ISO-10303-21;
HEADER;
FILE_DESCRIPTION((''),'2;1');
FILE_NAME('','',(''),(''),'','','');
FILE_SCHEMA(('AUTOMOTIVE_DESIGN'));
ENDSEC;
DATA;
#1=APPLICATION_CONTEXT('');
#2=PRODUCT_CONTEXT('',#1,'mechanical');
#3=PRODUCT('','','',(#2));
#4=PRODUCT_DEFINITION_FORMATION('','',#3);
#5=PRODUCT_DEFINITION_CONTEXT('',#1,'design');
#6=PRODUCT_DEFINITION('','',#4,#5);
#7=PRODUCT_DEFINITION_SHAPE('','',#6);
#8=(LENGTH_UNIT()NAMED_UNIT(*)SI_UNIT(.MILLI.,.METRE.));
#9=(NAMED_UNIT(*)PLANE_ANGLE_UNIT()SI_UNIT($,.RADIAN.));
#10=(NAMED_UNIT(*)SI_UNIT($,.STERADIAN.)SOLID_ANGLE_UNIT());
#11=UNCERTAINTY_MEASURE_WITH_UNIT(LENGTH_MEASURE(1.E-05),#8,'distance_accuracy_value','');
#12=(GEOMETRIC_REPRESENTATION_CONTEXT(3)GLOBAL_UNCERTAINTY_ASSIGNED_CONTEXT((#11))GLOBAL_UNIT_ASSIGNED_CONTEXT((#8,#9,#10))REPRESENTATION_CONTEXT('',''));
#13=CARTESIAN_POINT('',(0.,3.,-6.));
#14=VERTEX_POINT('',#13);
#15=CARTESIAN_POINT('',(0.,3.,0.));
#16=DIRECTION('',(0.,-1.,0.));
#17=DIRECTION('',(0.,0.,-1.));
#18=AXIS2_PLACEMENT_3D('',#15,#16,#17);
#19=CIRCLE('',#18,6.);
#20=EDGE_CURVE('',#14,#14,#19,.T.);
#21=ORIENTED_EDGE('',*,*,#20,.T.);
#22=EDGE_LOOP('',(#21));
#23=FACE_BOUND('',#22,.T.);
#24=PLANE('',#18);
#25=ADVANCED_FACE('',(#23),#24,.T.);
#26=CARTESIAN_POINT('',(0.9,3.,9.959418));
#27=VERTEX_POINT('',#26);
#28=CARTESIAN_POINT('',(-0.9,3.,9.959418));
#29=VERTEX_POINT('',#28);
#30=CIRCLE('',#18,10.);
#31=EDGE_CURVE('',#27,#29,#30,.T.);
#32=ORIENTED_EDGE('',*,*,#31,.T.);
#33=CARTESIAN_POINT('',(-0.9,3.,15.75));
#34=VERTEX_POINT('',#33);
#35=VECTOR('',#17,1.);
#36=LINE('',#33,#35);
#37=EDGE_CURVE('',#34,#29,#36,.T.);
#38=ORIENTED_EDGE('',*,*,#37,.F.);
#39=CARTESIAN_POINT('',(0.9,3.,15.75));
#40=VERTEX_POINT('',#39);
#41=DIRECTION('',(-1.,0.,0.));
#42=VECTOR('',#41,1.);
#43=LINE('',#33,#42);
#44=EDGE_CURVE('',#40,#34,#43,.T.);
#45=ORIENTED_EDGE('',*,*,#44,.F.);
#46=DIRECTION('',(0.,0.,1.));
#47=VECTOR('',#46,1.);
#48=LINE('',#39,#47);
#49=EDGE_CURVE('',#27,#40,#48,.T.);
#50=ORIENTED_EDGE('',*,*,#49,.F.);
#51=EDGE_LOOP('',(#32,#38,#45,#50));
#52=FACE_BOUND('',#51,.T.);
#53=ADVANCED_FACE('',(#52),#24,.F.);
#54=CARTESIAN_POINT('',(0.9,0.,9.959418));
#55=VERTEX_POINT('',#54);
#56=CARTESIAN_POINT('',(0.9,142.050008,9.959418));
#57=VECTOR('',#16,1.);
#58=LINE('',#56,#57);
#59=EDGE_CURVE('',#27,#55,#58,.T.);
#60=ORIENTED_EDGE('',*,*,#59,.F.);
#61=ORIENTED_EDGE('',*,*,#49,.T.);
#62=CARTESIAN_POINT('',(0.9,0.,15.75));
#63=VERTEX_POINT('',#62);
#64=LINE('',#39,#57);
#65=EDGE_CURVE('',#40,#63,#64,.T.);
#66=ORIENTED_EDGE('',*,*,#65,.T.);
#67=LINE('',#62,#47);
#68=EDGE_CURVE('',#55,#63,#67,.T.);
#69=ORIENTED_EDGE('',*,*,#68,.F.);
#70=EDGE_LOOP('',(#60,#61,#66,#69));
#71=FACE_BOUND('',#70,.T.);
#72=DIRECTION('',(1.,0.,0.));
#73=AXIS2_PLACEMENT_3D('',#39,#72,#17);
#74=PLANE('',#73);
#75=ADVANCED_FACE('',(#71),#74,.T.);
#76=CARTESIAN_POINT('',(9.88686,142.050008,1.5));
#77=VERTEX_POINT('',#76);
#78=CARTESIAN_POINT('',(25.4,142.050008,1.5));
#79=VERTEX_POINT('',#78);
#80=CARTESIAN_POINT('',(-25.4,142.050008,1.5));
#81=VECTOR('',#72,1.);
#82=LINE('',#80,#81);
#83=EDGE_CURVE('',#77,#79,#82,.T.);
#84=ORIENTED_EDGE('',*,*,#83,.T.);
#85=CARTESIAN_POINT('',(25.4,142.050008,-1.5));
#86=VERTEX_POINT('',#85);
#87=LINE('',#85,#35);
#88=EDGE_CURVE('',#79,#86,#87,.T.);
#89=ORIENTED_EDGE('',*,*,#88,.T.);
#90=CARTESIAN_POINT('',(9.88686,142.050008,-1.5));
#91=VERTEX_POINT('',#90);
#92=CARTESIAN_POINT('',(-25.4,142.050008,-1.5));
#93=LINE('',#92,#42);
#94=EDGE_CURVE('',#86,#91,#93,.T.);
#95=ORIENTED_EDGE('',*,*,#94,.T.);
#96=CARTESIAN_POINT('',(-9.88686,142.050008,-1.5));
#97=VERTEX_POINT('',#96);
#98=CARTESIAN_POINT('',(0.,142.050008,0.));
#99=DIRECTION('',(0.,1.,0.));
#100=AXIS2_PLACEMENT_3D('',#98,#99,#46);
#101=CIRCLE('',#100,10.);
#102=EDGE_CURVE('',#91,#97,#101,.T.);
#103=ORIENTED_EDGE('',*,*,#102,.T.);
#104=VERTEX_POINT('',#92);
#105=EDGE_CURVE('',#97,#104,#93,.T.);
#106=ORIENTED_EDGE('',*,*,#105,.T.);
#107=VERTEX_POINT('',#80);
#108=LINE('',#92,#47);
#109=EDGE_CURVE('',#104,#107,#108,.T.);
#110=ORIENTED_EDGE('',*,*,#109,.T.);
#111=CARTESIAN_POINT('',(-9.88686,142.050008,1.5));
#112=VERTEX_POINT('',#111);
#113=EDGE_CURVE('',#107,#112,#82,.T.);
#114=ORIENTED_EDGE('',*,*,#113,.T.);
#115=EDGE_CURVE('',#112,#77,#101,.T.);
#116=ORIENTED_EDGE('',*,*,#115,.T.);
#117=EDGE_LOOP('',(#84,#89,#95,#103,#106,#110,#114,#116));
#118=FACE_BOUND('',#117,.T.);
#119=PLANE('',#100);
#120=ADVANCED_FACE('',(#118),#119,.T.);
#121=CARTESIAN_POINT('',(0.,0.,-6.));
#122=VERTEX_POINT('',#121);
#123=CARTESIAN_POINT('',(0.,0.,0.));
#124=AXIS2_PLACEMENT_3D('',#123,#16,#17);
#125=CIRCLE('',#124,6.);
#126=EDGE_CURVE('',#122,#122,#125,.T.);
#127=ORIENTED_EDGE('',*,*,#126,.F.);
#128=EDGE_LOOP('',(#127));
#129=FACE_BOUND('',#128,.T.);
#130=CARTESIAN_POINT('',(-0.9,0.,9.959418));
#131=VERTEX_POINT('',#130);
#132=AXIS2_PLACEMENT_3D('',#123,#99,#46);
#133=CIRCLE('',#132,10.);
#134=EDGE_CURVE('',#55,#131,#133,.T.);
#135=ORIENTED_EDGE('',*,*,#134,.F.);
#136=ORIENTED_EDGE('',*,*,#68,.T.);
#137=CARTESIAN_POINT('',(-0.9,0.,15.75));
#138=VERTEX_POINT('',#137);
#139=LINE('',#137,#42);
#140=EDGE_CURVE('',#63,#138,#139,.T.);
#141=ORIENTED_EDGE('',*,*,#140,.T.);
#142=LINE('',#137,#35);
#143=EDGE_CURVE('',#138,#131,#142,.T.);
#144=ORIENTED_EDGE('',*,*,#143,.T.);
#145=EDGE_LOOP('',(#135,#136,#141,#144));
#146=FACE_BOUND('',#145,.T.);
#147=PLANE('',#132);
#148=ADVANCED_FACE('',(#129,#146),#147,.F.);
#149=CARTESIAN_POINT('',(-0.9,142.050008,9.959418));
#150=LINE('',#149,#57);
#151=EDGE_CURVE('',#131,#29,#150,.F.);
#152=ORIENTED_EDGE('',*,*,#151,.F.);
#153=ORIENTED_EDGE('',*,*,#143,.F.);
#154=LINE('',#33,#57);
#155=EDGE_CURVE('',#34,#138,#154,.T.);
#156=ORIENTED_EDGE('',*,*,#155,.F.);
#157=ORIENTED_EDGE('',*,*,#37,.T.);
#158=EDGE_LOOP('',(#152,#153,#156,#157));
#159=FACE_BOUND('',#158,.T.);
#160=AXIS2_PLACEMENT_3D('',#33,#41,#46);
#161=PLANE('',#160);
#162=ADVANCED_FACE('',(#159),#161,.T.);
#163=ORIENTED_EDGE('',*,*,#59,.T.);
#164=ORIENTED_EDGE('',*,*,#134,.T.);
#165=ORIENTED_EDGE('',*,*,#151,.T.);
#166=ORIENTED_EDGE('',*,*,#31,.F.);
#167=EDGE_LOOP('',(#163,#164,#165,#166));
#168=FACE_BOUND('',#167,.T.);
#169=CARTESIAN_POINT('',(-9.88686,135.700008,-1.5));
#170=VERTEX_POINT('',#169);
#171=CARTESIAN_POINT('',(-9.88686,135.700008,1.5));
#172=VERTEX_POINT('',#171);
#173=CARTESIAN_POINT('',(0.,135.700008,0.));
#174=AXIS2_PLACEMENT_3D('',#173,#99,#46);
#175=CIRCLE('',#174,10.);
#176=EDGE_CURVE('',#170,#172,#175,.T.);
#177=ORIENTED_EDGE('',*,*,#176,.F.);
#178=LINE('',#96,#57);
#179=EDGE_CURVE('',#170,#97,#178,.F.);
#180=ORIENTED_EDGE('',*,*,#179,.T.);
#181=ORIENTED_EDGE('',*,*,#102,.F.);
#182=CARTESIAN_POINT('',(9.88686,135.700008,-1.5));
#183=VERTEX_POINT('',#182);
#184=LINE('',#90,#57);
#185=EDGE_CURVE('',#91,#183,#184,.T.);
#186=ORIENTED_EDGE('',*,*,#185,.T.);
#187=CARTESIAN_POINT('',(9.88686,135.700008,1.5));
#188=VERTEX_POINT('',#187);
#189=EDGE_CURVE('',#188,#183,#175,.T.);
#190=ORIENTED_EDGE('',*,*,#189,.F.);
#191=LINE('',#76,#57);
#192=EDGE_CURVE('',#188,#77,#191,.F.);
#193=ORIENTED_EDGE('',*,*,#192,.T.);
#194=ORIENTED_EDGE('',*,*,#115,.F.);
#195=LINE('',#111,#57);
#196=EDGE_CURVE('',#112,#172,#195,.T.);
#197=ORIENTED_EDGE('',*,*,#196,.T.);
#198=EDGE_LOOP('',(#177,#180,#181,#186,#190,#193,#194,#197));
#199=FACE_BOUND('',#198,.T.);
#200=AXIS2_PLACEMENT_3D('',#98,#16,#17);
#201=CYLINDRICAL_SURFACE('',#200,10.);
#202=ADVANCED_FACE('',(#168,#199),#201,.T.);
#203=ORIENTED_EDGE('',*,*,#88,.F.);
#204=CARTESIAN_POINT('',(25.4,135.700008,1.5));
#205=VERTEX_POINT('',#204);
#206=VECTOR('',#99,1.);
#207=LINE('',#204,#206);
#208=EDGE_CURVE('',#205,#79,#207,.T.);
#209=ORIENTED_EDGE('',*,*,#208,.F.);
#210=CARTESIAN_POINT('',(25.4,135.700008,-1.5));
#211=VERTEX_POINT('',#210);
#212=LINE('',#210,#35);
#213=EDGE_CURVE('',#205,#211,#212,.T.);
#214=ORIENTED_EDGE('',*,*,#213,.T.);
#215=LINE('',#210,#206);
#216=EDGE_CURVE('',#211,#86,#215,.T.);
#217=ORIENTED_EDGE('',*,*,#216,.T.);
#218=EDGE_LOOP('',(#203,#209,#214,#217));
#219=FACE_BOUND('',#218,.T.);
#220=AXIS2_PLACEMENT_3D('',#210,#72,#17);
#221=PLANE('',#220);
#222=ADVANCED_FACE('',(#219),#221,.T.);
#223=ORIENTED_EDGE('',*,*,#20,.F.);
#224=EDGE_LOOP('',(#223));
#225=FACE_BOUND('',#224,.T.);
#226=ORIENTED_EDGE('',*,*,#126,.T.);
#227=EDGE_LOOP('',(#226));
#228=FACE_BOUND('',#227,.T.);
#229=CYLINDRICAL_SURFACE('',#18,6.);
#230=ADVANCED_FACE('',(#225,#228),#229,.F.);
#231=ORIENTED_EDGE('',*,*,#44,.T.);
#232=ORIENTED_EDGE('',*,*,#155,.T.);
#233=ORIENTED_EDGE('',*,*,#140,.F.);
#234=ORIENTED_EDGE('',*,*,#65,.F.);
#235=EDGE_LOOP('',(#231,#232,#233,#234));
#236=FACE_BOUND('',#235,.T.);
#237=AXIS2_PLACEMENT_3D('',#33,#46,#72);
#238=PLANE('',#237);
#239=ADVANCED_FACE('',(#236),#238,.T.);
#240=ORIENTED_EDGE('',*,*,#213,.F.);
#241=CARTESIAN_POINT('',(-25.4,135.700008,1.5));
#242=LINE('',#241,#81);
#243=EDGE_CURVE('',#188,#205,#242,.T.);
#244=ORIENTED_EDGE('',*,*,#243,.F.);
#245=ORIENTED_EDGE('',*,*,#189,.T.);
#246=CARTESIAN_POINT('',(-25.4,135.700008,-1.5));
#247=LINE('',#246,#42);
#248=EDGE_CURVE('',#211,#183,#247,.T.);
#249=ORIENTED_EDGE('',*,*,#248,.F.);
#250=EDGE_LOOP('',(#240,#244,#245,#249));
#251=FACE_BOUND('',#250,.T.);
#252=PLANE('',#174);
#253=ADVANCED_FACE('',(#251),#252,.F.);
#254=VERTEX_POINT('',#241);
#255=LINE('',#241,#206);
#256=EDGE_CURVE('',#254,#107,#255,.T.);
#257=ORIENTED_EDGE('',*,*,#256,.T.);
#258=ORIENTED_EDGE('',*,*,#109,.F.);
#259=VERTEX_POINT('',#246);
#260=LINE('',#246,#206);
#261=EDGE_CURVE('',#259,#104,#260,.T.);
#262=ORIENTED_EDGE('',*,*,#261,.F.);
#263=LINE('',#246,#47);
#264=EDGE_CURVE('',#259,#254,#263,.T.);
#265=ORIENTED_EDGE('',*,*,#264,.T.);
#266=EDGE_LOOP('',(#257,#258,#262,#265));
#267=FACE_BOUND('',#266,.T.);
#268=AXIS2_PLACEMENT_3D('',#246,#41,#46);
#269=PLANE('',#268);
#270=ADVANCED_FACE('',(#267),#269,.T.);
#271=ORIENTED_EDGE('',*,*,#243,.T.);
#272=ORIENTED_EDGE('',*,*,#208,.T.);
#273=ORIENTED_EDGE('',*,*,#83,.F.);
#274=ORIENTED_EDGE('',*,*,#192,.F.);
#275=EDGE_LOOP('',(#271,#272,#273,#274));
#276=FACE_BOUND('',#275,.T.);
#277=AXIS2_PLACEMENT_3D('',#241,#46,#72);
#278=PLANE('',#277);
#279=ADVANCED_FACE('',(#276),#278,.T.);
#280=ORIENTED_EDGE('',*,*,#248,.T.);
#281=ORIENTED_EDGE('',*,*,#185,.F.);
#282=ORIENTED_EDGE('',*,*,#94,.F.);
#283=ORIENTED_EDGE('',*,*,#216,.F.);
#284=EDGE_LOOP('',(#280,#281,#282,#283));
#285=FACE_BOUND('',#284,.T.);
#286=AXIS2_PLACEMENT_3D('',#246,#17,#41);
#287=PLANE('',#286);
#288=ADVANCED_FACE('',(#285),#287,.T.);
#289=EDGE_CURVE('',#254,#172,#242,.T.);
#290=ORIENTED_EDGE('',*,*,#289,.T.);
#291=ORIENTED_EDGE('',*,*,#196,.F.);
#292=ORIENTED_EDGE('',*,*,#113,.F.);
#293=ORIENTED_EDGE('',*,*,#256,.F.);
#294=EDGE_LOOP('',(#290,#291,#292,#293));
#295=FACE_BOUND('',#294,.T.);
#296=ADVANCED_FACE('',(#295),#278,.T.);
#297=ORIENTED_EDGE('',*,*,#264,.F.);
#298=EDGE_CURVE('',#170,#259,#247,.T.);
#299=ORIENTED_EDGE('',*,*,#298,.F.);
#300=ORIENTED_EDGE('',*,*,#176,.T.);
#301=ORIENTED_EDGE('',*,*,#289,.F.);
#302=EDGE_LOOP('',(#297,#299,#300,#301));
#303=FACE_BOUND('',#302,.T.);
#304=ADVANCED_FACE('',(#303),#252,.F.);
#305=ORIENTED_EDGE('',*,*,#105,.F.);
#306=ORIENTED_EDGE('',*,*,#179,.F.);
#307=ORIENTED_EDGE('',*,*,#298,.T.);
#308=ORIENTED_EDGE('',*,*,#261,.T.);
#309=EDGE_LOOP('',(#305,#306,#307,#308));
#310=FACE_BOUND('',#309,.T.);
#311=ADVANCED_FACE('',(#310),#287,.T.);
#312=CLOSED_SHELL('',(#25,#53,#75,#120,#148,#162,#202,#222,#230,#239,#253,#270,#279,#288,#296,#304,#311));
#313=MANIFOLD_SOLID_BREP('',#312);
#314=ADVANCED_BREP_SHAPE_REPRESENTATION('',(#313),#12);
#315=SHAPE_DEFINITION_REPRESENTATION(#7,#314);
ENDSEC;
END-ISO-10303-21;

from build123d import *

# Parameters (mm, degrees)
SKETCH1_R           = 10
BOSS_EXTRUDE1_DEPTH = 142.050008
BOSS_EXTRUDE2_DEPTH = 3
SKETCH4_W           = 50.8
SKETCH4_H           = 3
BOSS_EXTRUDE3_DEPTH = 6.35
SKETCH5_R           = 6
CUT_EXTRUDE1_DEPTH  = 3


with BuildPart() as part:
    # Sketch1 → Boss-Extrude1 (new body)
    with BuildSketch(Plane(origin=(0, 0, 0), x_dir=(1, 0, 0), z_dir=(0, 1, 0))):
        Circle(SKETCH1_R)
    extrude(amount=BOSS_EXTRUDE1_DEPTH)

    # Sketch3 → Boss-Extrude2 (add)
    with BuildSketch(Plane.XZ):
        with BuildLine():
            Line((-0.9, 15.75), (0.9, 15.75))
            Line((0.9, 15.75), (0.9, 9.354806465))
            ThreePointArc((0.9, 9.354806465), (0, 9.398), (-0.9, 9.354806465))
            Line((-0.9, 9.354806465), (-0.9, 15.75))
        make_face()
    extrude(amount=-BOSS_EXTRUDE2_DEPTH)

    # Sketch4 → Boss-Extrude3 (add)
    with BuildSketch(Plane(origin=(0, 142.050008, 0), x_dir=(1, 0, 0), z_dir=(0, 1, 0))):
        Rectangle(SKETCH4_W, SKETCH4_H)
    extrude(amount=-BOSS_EXTRUDE3_DEPTH)

    # Sketch5 → Cut-Extrude1 (cut)
    with BuildSketch(Plane.XZ):
        Circle(SKETCH5_R)
    extrude(amount=-CUT_EXTRUDE1_DEPTH, mode=Mode.SUBTRACT)


solid = part.part
